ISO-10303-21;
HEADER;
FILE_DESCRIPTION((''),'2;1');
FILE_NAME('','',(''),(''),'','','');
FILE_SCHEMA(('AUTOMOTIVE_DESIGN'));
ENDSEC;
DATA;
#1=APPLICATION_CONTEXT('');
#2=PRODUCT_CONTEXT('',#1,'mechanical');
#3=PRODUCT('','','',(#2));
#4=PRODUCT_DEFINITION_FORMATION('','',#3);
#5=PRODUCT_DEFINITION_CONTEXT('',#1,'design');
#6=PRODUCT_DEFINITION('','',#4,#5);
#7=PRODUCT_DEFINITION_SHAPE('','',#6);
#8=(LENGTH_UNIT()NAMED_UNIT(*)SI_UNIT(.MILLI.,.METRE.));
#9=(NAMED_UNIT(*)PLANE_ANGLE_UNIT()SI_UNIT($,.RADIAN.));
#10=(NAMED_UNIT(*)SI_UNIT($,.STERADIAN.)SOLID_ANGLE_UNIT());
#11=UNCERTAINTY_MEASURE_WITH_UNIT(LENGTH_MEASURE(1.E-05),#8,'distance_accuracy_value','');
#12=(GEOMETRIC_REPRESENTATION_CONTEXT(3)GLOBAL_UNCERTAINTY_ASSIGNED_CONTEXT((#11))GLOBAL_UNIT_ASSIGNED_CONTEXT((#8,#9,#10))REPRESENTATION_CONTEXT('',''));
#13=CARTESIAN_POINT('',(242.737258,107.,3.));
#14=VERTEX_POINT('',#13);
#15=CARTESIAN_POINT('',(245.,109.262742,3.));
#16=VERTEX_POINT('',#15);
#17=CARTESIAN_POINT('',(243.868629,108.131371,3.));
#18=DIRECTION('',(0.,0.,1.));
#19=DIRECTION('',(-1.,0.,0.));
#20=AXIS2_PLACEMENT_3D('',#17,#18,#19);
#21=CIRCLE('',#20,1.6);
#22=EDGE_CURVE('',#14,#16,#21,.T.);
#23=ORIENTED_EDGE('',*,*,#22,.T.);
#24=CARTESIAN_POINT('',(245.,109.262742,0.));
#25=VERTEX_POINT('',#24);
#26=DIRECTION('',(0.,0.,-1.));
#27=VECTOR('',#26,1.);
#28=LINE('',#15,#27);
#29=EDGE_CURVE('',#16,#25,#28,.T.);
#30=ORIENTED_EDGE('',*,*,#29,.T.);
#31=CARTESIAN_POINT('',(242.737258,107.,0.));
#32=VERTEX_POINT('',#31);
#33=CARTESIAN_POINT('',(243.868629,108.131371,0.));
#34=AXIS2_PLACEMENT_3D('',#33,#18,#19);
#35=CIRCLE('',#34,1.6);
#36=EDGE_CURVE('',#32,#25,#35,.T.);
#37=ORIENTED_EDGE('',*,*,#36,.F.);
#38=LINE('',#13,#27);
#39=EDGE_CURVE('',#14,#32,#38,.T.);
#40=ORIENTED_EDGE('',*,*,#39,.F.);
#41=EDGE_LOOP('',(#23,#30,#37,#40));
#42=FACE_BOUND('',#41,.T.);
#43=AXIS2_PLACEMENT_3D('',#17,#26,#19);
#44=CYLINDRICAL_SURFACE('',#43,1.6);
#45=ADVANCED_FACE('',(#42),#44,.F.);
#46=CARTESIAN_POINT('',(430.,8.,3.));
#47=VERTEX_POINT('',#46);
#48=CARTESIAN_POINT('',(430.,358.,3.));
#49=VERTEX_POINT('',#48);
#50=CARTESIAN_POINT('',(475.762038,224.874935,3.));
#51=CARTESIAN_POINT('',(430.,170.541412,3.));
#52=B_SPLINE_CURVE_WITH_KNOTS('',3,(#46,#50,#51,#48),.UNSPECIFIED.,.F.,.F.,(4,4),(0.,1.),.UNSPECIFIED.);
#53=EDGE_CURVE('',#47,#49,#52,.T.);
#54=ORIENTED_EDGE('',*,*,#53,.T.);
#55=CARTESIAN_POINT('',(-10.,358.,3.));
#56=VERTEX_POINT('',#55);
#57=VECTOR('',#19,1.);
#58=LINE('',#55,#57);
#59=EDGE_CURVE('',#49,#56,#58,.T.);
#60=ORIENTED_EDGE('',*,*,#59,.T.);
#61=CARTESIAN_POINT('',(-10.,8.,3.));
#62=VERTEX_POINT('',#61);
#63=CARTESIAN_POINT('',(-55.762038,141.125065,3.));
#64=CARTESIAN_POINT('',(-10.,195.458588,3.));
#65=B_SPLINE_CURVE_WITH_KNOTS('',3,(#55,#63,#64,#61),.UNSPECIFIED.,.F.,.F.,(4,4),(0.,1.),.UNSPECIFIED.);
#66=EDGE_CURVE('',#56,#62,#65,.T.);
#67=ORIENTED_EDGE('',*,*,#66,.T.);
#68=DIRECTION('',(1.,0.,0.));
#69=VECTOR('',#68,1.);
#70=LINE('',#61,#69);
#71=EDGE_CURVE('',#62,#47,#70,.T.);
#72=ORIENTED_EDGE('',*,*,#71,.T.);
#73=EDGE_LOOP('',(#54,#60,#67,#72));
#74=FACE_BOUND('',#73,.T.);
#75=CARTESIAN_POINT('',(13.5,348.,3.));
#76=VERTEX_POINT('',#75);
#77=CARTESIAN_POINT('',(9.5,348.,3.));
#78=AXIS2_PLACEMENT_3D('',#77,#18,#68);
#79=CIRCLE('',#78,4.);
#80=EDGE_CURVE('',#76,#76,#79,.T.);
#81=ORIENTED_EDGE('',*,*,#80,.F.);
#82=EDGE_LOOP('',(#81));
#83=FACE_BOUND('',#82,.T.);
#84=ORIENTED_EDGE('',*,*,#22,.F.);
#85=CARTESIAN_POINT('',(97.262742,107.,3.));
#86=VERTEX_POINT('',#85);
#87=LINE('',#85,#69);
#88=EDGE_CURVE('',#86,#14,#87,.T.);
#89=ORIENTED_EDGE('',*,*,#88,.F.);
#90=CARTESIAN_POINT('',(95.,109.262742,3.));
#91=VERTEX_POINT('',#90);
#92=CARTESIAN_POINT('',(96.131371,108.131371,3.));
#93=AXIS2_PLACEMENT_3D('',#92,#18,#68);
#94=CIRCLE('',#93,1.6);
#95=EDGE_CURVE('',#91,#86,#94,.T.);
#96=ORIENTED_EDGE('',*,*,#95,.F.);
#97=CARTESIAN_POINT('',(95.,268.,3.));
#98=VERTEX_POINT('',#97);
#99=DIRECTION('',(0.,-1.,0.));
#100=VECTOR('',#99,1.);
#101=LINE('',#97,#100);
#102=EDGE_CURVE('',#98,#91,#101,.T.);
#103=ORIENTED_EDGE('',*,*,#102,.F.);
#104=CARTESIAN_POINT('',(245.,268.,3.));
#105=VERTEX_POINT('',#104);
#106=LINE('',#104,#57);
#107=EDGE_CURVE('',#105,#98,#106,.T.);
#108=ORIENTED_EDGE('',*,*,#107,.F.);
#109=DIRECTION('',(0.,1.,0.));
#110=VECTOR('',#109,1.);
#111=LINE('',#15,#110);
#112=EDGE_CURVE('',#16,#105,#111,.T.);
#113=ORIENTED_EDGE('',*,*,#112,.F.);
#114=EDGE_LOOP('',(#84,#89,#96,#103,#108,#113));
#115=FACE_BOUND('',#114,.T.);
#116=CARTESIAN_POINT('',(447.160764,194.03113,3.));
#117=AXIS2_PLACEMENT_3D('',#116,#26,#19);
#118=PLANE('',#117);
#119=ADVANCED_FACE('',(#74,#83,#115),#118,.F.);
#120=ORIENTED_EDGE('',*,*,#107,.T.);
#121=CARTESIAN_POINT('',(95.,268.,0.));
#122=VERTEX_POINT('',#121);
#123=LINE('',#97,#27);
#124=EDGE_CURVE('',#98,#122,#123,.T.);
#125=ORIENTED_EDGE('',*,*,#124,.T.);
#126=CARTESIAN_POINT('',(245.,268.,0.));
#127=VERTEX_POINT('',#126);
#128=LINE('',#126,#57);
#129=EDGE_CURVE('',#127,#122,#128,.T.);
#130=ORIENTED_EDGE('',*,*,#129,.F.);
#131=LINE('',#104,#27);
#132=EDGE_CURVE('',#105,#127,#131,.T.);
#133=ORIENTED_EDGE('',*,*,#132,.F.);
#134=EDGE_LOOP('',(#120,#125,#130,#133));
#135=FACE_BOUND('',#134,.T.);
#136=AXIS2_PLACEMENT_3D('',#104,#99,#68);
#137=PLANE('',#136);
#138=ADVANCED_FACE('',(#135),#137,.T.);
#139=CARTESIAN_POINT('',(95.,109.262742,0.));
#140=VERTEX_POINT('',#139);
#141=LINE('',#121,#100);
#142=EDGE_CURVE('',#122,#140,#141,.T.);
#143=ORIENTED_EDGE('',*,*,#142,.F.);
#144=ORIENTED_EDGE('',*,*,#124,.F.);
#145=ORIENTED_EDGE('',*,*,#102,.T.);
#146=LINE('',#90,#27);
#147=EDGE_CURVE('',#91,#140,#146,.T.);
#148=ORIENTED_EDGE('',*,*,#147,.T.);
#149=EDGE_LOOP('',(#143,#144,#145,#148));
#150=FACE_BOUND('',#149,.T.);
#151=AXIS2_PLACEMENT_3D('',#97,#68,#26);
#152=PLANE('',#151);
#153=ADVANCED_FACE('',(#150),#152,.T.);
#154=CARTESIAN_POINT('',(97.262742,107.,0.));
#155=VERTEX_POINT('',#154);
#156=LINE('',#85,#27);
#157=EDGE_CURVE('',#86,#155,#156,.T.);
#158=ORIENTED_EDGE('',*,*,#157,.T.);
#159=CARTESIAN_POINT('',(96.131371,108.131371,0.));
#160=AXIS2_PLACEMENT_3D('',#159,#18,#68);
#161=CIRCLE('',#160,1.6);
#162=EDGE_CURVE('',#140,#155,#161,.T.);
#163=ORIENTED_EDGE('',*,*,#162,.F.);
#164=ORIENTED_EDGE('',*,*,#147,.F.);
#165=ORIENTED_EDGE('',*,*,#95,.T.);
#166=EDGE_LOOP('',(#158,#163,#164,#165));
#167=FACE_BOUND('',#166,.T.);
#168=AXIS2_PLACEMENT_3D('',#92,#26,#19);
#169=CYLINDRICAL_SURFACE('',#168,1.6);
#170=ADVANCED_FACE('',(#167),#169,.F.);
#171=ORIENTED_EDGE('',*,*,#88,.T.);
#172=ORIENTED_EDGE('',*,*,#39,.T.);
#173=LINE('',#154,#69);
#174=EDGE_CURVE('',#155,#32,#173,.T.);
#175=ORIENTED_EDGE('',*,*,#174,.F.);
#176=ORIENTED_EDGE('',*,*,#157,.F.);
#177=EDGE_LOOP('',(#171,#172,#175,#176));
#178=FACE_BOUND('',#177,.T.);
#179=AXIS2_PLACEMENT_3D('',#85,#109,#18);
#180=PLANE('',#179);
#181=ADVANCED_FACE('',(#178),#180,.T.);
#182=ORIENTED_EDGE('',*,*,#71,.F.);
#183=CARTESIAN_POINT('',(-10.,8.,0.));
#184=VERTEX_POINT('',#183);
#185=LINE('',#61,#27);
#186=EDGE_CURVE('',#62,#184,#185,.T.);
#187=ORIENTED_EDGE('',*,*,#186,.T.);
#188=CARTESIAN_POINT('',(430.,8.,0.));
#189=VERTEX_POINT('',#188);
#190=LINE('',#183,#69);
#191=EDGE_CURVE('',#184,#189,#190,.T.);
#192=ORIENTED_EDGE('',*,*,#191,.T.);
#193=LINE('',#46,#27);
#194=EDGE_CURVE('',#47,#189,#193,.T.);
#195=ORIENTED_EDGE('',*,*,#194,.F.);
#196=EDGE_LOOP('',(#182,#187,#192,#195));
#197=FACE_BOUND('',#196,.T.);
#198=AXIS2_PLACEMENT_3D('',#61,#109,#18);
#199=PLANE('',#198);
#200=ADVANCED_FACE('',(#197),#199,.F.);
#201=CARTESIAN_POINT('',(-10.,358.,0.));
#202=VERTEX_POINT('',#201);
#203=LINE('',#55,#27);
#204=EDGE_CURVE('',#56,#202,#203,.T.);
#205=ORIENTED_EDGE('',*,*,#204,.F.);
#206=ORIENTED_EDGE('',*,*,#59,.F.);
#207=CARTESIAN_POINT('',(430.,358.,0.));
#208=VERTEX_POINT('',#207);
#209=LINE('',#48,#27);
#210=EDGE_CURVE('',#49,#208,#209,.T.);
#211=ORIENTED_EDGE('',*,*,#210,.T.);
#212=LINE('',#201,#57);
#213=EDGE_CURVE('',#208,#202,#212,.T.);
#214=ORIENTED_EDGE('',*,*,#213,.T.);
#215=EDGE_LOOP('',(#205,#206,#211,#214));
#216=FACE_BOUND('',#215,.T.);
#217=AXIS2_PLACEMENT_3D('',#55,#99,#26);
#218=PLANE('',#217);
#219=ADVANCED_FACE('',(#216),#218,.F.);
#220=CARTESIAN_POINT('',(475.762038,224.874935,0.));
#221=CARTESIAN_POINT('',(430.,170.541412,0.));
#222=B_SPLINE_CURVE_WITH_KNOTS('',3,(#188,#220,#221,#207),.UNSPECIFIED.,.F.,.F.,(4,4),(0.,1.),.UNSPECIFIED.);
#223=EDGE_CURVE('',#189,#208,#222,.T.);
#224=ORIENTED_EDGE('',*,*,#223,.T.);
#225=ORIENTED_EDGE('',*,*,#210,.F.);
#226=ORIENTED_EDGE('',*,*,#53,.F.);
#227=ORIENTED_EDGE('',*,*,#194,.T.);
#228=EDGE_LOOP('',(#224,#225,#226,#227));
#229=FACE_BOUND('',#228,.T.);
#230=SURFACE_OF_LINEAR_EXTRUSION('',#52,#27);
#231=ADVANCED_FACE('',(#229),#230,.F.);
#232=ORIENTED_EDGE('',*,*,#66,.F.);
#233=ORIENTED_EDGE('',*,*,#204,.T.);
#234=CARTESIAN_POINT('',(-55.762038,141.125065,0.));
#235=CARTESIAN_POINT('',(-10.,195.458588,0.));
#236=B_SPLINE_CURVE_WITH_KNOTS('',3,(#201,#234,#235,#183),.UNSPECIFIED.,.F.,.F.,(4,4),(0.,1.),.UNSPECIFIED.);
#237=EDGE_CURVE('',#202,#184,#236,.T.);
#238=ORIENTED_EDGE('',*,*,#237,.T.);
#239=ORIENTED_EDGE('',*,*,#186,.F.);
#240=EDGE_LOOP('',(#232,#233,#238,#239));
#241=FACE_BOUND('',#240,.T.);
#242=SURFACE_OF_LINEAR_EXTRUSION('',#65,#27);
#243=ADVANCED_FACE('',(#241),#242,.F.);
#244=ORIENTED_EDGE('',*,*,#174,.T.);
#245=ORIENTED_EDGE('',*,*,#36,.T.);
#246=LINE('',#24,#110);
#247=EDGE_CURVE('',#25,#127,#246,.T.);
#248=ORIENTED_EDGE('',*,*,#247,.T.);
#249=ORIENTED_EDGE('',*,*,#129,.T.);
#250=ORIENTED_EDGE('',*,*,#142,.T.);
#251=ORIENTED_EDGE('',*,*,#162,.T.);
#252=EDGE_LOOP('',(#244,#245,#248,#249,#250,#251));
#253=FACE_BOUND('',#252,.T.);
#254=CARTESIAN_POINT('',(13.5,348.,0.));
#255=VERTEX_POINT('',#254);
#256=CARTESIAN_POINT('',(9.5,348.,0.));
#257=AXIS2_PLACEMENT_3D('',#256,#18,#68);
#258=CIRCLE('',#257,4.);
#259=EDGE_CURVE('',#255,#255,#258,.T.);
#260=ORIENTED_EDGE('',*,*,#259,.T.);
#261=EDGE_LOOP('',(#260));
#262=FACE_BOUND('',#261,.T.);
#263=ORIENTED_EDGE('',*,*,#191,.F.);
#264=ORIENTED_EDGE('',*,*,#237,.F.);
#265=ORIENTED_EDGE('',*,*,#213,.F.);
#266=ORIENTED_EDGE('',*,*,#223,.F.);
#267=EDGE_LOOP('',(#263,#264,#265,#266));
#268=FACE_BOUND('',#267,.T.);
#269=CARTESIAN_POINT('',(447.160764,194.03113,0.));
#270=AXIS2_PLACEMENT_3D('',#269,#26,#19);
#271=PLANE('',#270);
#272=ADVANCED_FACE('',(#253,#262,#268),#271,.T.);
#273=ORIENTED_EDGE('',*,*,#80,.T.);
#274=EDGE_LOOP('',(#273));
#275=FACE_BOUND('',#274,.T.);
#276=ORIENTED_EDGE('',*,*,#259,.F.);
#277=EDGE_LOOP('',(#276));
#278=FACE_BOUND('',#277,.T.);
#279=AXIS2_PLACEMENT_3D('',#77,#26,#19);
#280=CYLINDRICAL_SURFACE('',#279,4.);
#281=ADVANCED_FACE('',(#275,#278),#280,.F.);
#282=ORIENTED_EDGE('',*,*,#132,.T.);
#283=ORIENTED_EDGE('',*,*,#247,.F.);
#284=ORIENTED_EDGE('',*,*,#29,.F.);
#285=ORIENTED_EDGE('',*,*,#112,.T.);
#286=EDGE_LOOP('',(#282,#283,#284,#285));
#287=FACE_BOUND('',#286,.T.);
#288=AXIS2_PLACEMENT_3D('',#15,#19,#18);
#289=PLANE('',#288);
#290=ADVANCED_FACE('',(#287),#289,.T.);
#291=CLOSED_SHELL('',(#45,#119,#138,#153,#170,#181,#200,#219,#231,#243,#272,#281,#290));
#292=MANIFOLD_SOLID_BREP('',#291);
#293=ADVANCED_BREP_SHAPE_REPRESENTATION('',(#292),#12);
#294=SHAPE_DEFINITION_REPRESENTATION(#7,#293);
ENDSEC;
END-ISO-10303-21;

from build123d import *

# Parameters (mm, degrees)
ESQUISSE1_R        = 4
BOSS_EXTRU_1_DEPTH = 3


with BuildPart() as part:
    # Esquisse1 → Boss.-Extru.1 (new body)
    with BuildSketch(Plane.XY):
        with BuildLine():
            Line((-10, 8), (430, 8))
            add(Edge.make_bspline(
                [(430, 8), (475.762038199, 224.87493493), (430, 170.54141189), (430, 358)],
                knots=[0, 0, 0, 0, 1, 1, 1, 1], degree=3))
            Line((430, 358), (-10, 358))
            add(Edge.make_bspline(
                [(-10, 358), (-55.762038199, 141.12506507), (-10, 195.458588109), (-10, 8)],
                knots=[0, 0, 0, 0, 1, 1, 1, 1], degree=3))
        make_face()
        with Locations((9.5, 348)):
            Circle(ESQUISSE1_R, mode=Mode.SUBTRACT)
        with BuildLine():
            Line((95, 268), (95, 109.2627417))
            ThreePointArc((95, 109.2627417), (95, 107), (97.2627417, 107))
            Line((97.2627417, 107), (242.7372583, 107))
            ThreePointArc((242.7372583, 107), (245, 107), (245, 109.2627417))
            Line((245, 109.2627417), (245, 268))
            Line((245, 268), (95, 268))
        make_face(mode=Mode.SUBTRACT)
    extrude(amount=BOSS_EXTRU_1_DEPTH)


solid = part.part
